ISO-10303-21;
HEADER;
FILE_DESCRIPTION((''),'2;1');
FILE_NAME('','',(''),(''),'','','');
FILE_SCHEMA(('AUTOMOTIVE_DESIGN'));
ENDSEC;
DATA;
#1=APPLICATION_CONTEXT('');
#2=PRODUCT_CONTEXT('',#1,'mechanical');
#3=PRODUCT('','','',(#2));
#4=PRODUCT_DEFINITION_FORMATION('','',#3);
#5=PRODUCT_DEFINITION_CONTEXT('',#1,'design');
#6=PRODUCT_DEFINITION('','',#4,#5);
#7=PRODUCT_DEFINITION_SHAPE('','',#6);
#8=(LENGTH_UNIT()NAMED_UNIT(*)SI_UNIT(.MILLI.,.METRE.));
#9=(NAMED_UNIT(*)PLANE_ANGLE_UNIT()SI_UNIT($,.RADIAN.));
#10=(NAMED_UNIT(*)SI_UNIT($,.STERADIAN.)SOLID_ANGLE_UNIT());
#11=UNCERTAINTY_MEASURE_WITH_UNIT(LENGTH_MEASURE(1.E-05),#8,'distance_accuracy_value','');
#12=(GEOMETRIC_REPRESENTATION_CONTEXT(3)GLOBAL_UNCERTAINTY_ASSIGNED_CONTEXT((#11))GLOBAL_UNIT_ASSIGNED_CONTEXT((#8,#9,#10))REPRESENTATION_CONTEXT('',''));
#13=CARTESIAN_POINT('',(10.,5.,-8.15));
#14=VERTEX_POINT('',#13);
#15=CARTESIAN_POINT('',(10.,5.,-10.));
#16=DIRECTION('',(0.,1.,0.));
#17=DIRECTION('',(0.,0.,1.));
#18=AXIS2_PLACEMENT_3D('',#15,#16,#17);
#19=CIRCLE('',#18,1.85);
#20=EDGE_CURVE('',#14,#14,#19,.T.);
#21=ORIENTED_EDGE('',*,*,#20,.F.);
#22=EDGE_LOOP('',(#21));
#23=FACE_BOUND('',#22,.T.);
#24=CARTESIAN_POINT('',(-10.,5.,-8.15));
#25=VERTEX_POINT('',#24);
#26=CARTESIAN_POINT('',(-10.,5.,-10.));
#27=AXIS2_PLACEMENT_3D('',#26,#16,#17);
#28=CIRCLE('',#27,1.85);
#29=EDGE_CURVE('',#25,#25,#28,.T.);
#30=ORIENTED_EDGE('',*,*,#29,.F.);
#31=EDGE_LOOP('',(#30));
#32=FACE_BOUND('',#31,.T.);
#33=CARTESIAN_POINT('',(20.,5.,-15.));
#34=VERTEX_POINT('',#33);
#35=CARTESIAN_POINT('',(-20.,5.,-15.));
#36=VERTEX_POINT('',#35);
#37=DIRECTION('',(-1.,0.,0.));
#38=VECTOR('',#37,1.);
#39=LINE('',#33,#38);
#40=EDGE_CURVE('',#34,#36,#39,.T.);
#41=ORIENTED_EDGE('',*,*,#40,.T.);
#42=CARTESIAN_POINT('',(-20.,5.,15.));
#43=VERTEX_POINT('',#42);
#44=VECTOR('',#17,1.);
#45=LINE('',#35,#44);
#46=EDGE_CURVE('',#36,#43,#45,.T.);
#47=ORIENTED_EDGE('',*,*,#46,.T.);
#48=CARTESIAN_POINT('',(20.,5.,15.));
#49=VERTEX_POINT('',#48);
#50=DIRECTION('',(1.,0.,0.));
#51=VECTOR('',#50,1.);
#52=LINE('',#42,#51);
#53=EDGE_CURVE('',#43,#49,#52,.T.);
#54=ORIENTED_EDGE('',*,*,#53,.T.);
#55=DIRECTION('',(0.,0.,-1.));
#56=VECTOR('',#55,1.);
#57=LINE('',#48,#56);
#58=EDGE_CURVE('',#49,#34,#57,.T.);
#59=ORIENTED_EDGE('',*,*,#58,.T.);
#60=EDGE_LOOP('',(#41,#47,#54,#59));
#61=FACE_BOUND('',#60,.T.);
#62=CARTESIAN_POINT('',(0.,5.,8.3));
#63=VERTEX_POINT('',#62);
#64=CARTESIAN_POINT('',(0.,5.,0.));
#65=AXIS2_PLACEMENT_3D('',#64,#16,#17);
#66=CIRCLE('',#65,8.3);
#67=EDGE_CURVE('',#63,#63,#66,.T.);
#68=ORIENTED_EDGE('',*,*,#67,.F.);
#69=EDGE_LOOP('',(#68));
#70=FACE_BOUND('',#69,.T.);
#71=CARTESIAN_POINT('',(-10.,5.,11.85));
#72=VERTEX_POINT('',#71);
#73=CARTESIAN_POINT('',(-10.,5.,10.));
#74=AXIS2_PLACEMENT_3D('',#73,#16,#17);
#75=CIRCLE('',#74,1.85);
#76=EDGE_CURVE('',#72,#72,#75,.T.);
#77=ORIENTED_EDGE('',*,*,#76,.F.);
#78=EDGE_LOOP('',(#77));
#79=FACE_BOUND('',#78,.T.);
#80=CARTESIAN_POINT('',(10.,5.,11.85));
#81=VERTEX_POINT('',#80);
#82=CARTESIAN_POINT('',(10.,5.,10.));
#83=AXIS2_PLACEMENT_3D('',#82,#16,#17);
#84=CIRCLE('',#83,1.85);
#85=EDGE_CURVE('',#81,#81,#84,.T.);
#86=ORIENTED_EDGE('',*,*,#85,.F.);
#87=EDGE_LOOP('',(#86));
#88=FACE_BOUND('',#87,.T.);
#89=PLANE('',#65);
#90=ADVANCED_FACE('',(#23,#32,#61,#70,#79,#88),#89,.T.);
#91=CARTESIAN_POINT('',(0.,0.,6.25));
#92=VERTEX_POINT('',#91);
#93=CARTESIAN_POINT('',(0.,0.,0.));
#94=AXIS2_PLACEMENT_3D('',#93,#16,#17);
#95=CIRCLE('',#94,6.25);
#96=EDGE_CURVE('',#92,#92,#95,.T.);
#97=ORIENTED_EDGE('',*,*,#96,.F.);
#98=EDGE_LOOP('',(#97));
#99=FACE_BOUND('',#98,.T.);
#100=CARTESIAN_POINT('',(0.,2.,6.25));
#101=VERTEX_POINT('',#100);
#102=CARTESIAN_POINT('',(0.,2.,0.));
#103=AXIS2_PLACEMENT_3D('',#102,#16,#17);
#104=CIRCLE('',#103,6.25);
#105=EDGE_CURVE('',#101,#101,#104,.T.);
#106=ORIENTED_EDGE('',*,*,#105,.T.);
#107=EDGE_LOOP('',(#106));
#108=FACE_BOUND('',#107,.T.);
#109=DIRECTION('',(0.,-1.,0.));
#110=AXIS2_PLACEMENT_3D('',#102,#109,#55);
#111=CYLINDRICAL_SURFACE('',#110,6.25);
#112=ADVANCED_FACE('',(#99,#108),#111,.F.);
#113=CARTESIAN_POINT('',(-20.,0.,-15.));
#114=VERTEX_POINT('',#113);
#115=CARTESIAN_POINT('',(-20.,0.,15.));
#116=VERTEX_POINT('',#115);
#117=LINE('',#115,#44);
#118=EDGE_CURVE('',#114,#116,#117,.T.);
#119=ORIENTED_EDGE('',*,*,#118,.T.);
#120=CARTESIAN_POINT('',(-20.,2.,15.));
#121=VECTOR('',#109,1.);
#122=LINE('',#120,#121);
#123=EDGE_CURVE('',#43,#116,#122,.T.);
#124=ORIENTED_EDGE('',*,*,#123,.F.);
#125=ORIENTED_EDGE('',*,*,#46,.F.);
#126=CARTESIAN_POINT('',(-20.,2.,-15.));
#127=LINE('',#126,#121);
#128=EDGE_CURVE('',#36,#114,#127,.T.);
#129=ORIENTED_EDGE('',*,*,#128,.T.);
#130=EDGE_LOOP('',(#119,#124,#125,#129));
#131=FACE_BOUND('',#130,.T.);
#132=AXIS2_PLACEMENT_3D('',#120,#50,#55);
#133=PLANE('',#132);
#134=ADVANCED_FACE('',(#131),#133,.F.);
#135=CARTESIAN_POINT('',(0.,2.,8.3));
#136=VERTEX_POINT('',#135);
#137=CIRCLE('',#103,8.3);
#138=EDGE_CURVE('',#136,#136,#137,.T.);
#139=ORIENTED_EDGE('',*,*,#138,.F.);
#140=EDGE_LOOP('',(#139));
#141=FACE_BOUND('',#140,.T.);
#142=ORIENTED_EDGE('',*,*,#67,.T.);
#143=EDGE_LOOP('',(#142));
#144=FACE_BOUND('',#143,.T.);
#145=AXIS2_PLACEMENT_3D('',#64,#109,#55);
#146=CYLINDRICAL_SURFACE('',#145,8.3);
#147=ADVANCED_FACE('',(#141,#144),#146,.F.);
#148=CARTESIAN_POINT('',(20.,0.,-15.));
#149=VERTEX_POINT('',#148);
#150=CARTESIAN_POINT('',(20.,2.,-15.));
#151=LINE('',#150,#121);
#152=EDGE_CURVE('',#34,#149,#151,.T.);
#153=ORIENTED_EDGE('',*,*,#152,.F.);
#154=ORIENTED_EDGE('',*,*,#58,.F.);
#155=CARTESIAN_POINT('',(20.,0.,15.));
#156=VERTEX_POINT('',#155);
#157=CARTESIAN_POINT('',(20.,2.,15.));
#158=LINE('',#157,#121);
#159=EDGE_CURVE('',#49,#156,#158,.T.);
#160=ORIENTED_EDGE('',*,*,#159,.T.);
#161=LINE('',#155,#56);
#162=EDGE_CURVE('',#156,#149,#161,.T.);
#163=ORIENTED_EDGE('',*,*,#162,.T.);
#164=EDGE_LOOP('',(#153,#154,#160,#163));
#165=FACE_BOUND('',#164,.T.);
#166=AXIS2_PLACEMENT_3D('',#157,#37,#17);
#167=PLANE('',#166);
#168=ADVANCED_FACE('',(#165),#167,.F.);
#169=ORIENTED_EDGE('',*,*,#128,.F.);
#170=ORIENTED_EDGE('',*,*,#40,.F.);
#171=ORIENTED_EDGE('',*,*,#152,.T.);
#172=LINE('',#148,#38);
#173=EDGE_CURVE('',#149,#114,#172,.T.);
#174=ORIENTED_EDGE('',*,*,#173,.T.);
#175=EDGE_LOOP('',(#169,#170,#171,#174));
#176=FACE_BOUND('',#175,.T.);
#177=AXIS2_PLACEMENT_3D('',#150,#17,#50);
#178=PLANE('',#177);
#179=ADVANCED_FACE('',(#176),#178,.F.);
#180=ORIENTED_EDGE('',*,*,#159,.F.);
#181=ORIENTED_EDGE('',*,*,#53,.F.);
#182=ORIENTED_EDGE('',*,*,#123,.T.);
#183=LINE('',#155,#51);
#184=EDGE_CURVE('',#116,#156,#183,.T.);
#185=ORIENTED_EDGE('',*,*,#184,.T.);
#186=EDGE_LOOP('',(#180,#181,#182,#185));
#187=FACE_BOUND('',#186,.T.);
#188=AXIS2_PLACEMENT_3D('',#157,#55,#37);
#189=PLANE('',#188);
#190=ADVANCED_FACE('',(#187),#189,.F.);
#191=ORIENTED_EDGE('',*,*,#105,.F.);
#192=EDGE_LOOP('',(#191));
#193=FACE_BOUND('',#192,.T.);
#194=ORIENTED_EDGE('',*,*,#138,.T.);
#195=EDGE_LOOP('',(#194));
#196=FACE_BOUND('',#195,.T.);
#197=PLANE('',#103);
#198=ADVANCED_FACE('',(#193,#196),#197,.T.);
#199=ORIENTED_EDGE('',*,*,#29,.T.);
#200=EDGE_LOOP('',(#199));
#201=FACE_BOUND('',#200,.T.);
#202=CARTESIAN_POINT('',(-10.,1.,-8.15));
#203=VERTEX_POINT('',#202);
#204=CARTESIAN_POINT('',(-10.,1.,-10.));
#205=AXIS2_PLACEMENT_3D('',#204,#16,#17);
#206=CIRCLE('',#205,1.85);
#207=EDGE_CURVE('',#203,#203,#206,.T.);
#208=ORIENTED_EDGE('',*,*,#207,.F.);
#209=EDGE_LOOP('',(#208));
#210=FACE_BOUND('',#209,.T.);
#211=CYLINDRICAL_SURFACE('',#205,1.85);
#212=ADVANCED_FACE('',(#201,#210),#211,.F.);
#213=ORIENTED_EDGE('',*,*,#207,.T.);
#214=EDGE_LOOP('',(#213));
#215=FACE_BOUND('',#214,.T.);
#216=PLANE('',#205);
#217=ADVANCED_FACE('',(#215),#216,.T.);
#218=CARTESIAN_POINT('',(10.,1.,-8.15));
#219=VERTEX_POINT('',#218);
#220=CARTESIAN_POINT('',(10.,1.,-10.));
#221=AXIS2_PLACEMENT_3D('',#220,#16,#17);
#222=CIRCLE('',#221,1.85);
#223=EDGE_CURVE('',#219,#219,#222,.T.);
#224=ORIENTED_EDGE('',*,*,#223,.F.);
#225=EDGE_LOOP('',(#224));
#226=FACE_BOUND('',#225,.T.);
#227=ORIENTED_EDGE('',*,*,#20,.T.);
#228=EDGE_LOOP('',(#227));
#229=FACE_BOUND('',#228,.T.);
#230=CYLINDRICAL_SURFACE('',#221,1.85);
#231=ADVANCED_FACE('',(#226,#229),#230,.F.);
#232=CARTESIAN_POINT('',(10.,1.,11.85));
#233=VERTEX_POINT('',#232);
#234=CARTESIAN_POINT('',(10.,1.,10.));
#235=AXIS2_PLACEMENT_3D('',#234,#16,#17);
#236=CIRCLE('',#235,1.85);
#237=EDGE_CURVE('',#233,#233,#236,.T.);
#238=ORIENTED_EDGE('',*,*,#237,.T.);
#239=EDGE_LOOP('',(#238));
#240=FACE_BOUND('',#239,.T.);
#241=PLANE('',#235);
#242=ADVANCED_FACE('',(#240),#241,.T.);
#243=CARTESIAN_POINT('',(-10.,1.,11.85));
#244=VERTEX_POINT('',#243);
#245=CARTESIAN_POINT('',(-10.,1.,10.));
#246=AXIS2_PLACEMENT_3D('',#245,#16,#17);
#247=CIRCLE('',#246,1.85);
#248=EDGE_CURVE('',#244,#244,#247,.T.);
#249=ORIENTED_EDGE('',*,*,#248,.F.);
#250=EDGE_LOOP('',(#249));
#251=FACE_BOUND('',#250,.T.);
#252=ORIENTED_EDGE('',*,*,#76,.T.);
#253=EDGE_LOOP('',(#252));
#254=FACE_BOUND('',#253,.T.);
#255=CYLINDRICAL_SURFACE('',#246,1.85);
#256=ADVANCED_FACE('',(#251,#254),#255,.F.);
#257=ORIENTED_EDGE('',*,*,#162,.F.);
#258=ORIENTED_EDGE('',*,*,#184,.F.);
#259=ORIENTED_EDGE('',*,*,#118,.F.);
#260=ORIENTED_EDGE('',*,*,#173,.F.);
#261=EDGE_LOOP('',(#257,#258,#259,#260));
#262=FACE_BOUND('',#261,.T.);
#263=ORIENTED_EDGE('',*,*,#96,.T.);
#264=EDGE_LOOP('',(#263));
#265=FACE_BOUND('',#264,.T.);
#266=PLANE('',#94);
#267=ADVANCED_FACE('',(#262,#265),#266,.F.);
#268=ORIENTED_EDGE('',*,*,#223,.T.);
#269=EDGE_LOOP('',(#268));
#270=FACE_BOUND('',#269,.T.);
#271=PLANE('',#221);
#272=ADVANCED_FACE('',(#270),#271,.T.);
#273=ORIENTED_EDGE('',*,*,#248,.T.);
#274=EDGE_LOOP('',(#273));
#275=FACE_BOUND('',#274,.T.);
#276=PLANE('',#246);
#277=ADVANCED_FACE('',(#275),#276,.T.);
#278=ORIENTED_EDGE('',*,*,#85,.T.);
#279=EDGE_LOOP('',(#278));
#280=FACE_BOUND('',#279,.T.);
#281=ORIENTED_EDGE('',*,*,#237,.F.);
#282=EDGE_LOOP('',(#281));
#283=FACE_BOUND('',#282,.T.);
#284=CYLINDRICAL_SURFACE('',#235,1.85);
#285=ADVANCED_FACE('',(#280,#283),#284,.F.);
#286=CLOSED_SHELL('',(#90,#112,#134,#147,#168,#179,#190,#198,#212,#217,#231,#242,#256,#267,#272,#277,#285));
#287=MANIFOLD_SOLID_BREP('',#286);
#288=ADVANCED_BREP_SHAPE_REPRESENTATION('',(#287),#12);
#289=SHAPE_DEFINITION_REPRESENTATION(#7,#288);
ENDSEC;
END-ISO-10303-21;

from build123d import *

# Parameters (mm, degrees)
SKETCH1_W            = 40
SKETCH1_H            = 30
SKETCH1_R            = 6.25
BODY_DEPTH           = 2
SKETCH2_W            = 40
SKETCH2_H            = 30
SKETCH2_R            = 8.3
BEARINGS_PLACE_DEPTH = 3
SKETCH3_R            = 1.85
INSERTS_PLACE_DEPTH  = 4


with BuildPart() as part:
    # Sketch1 → Body (new body)
    with BuildSketch(Plane(origin=(0, 0, 0), x_dir=(1, 0, 0), z_dir=(0, 1, 0))):
        Rectangle(SKETCH1_W, SKETCH1_H)
        with Locations(Location((0, 0, 0), (0, 0, 270))):
            Circle(SKETCH1_R, mode=Mode.SUBTRACT)
    extrude(amount=BODY_DEPTH)

    # Sketch2 → Bearings_Place (add)
    with BuildSketch(Plane(origin=(0, 2, 0), x_dir=(1, 0, 0), z_dir=(0, 1, 0))):
        Rectangle(SKETCH2_W, SKETCH2_H)
        with Locations(Location((0, 0, 0), (0, 0, 270))):
            Circle(SKETCH2_R, mode=Mode.SUBTRACT)
    extrude(amount=BEARINGS_PLACE_DEPTH)

    # Sketch3 → Inserts_Place (cut)
    with BuildSketch(Plane(origin=(0, 5, 0), x_dir=(1, 0, 0), z_dir=(0, 1, 0))):
        with Locations(Location((-10, 10, 0), (0, 0, 270))):
            Circle(SKETCH3_R)
        with Locations(Location((10, 10, 0), (0, 0, 270))):
            Circle(SKETCH3_R)
        with Locations(Location((10, -10, 0), (0, 0, 270))):
            Circle(SKETCH3_R)
        with Locations(Location((-10, -10, 0), (0, 0, 270))):
            Circle(SKETCH3_R)
    extrude(amount=-INSERTS_PLACE_DEPTH, mode=Mode.SUBTRACT)


solid = part.part
